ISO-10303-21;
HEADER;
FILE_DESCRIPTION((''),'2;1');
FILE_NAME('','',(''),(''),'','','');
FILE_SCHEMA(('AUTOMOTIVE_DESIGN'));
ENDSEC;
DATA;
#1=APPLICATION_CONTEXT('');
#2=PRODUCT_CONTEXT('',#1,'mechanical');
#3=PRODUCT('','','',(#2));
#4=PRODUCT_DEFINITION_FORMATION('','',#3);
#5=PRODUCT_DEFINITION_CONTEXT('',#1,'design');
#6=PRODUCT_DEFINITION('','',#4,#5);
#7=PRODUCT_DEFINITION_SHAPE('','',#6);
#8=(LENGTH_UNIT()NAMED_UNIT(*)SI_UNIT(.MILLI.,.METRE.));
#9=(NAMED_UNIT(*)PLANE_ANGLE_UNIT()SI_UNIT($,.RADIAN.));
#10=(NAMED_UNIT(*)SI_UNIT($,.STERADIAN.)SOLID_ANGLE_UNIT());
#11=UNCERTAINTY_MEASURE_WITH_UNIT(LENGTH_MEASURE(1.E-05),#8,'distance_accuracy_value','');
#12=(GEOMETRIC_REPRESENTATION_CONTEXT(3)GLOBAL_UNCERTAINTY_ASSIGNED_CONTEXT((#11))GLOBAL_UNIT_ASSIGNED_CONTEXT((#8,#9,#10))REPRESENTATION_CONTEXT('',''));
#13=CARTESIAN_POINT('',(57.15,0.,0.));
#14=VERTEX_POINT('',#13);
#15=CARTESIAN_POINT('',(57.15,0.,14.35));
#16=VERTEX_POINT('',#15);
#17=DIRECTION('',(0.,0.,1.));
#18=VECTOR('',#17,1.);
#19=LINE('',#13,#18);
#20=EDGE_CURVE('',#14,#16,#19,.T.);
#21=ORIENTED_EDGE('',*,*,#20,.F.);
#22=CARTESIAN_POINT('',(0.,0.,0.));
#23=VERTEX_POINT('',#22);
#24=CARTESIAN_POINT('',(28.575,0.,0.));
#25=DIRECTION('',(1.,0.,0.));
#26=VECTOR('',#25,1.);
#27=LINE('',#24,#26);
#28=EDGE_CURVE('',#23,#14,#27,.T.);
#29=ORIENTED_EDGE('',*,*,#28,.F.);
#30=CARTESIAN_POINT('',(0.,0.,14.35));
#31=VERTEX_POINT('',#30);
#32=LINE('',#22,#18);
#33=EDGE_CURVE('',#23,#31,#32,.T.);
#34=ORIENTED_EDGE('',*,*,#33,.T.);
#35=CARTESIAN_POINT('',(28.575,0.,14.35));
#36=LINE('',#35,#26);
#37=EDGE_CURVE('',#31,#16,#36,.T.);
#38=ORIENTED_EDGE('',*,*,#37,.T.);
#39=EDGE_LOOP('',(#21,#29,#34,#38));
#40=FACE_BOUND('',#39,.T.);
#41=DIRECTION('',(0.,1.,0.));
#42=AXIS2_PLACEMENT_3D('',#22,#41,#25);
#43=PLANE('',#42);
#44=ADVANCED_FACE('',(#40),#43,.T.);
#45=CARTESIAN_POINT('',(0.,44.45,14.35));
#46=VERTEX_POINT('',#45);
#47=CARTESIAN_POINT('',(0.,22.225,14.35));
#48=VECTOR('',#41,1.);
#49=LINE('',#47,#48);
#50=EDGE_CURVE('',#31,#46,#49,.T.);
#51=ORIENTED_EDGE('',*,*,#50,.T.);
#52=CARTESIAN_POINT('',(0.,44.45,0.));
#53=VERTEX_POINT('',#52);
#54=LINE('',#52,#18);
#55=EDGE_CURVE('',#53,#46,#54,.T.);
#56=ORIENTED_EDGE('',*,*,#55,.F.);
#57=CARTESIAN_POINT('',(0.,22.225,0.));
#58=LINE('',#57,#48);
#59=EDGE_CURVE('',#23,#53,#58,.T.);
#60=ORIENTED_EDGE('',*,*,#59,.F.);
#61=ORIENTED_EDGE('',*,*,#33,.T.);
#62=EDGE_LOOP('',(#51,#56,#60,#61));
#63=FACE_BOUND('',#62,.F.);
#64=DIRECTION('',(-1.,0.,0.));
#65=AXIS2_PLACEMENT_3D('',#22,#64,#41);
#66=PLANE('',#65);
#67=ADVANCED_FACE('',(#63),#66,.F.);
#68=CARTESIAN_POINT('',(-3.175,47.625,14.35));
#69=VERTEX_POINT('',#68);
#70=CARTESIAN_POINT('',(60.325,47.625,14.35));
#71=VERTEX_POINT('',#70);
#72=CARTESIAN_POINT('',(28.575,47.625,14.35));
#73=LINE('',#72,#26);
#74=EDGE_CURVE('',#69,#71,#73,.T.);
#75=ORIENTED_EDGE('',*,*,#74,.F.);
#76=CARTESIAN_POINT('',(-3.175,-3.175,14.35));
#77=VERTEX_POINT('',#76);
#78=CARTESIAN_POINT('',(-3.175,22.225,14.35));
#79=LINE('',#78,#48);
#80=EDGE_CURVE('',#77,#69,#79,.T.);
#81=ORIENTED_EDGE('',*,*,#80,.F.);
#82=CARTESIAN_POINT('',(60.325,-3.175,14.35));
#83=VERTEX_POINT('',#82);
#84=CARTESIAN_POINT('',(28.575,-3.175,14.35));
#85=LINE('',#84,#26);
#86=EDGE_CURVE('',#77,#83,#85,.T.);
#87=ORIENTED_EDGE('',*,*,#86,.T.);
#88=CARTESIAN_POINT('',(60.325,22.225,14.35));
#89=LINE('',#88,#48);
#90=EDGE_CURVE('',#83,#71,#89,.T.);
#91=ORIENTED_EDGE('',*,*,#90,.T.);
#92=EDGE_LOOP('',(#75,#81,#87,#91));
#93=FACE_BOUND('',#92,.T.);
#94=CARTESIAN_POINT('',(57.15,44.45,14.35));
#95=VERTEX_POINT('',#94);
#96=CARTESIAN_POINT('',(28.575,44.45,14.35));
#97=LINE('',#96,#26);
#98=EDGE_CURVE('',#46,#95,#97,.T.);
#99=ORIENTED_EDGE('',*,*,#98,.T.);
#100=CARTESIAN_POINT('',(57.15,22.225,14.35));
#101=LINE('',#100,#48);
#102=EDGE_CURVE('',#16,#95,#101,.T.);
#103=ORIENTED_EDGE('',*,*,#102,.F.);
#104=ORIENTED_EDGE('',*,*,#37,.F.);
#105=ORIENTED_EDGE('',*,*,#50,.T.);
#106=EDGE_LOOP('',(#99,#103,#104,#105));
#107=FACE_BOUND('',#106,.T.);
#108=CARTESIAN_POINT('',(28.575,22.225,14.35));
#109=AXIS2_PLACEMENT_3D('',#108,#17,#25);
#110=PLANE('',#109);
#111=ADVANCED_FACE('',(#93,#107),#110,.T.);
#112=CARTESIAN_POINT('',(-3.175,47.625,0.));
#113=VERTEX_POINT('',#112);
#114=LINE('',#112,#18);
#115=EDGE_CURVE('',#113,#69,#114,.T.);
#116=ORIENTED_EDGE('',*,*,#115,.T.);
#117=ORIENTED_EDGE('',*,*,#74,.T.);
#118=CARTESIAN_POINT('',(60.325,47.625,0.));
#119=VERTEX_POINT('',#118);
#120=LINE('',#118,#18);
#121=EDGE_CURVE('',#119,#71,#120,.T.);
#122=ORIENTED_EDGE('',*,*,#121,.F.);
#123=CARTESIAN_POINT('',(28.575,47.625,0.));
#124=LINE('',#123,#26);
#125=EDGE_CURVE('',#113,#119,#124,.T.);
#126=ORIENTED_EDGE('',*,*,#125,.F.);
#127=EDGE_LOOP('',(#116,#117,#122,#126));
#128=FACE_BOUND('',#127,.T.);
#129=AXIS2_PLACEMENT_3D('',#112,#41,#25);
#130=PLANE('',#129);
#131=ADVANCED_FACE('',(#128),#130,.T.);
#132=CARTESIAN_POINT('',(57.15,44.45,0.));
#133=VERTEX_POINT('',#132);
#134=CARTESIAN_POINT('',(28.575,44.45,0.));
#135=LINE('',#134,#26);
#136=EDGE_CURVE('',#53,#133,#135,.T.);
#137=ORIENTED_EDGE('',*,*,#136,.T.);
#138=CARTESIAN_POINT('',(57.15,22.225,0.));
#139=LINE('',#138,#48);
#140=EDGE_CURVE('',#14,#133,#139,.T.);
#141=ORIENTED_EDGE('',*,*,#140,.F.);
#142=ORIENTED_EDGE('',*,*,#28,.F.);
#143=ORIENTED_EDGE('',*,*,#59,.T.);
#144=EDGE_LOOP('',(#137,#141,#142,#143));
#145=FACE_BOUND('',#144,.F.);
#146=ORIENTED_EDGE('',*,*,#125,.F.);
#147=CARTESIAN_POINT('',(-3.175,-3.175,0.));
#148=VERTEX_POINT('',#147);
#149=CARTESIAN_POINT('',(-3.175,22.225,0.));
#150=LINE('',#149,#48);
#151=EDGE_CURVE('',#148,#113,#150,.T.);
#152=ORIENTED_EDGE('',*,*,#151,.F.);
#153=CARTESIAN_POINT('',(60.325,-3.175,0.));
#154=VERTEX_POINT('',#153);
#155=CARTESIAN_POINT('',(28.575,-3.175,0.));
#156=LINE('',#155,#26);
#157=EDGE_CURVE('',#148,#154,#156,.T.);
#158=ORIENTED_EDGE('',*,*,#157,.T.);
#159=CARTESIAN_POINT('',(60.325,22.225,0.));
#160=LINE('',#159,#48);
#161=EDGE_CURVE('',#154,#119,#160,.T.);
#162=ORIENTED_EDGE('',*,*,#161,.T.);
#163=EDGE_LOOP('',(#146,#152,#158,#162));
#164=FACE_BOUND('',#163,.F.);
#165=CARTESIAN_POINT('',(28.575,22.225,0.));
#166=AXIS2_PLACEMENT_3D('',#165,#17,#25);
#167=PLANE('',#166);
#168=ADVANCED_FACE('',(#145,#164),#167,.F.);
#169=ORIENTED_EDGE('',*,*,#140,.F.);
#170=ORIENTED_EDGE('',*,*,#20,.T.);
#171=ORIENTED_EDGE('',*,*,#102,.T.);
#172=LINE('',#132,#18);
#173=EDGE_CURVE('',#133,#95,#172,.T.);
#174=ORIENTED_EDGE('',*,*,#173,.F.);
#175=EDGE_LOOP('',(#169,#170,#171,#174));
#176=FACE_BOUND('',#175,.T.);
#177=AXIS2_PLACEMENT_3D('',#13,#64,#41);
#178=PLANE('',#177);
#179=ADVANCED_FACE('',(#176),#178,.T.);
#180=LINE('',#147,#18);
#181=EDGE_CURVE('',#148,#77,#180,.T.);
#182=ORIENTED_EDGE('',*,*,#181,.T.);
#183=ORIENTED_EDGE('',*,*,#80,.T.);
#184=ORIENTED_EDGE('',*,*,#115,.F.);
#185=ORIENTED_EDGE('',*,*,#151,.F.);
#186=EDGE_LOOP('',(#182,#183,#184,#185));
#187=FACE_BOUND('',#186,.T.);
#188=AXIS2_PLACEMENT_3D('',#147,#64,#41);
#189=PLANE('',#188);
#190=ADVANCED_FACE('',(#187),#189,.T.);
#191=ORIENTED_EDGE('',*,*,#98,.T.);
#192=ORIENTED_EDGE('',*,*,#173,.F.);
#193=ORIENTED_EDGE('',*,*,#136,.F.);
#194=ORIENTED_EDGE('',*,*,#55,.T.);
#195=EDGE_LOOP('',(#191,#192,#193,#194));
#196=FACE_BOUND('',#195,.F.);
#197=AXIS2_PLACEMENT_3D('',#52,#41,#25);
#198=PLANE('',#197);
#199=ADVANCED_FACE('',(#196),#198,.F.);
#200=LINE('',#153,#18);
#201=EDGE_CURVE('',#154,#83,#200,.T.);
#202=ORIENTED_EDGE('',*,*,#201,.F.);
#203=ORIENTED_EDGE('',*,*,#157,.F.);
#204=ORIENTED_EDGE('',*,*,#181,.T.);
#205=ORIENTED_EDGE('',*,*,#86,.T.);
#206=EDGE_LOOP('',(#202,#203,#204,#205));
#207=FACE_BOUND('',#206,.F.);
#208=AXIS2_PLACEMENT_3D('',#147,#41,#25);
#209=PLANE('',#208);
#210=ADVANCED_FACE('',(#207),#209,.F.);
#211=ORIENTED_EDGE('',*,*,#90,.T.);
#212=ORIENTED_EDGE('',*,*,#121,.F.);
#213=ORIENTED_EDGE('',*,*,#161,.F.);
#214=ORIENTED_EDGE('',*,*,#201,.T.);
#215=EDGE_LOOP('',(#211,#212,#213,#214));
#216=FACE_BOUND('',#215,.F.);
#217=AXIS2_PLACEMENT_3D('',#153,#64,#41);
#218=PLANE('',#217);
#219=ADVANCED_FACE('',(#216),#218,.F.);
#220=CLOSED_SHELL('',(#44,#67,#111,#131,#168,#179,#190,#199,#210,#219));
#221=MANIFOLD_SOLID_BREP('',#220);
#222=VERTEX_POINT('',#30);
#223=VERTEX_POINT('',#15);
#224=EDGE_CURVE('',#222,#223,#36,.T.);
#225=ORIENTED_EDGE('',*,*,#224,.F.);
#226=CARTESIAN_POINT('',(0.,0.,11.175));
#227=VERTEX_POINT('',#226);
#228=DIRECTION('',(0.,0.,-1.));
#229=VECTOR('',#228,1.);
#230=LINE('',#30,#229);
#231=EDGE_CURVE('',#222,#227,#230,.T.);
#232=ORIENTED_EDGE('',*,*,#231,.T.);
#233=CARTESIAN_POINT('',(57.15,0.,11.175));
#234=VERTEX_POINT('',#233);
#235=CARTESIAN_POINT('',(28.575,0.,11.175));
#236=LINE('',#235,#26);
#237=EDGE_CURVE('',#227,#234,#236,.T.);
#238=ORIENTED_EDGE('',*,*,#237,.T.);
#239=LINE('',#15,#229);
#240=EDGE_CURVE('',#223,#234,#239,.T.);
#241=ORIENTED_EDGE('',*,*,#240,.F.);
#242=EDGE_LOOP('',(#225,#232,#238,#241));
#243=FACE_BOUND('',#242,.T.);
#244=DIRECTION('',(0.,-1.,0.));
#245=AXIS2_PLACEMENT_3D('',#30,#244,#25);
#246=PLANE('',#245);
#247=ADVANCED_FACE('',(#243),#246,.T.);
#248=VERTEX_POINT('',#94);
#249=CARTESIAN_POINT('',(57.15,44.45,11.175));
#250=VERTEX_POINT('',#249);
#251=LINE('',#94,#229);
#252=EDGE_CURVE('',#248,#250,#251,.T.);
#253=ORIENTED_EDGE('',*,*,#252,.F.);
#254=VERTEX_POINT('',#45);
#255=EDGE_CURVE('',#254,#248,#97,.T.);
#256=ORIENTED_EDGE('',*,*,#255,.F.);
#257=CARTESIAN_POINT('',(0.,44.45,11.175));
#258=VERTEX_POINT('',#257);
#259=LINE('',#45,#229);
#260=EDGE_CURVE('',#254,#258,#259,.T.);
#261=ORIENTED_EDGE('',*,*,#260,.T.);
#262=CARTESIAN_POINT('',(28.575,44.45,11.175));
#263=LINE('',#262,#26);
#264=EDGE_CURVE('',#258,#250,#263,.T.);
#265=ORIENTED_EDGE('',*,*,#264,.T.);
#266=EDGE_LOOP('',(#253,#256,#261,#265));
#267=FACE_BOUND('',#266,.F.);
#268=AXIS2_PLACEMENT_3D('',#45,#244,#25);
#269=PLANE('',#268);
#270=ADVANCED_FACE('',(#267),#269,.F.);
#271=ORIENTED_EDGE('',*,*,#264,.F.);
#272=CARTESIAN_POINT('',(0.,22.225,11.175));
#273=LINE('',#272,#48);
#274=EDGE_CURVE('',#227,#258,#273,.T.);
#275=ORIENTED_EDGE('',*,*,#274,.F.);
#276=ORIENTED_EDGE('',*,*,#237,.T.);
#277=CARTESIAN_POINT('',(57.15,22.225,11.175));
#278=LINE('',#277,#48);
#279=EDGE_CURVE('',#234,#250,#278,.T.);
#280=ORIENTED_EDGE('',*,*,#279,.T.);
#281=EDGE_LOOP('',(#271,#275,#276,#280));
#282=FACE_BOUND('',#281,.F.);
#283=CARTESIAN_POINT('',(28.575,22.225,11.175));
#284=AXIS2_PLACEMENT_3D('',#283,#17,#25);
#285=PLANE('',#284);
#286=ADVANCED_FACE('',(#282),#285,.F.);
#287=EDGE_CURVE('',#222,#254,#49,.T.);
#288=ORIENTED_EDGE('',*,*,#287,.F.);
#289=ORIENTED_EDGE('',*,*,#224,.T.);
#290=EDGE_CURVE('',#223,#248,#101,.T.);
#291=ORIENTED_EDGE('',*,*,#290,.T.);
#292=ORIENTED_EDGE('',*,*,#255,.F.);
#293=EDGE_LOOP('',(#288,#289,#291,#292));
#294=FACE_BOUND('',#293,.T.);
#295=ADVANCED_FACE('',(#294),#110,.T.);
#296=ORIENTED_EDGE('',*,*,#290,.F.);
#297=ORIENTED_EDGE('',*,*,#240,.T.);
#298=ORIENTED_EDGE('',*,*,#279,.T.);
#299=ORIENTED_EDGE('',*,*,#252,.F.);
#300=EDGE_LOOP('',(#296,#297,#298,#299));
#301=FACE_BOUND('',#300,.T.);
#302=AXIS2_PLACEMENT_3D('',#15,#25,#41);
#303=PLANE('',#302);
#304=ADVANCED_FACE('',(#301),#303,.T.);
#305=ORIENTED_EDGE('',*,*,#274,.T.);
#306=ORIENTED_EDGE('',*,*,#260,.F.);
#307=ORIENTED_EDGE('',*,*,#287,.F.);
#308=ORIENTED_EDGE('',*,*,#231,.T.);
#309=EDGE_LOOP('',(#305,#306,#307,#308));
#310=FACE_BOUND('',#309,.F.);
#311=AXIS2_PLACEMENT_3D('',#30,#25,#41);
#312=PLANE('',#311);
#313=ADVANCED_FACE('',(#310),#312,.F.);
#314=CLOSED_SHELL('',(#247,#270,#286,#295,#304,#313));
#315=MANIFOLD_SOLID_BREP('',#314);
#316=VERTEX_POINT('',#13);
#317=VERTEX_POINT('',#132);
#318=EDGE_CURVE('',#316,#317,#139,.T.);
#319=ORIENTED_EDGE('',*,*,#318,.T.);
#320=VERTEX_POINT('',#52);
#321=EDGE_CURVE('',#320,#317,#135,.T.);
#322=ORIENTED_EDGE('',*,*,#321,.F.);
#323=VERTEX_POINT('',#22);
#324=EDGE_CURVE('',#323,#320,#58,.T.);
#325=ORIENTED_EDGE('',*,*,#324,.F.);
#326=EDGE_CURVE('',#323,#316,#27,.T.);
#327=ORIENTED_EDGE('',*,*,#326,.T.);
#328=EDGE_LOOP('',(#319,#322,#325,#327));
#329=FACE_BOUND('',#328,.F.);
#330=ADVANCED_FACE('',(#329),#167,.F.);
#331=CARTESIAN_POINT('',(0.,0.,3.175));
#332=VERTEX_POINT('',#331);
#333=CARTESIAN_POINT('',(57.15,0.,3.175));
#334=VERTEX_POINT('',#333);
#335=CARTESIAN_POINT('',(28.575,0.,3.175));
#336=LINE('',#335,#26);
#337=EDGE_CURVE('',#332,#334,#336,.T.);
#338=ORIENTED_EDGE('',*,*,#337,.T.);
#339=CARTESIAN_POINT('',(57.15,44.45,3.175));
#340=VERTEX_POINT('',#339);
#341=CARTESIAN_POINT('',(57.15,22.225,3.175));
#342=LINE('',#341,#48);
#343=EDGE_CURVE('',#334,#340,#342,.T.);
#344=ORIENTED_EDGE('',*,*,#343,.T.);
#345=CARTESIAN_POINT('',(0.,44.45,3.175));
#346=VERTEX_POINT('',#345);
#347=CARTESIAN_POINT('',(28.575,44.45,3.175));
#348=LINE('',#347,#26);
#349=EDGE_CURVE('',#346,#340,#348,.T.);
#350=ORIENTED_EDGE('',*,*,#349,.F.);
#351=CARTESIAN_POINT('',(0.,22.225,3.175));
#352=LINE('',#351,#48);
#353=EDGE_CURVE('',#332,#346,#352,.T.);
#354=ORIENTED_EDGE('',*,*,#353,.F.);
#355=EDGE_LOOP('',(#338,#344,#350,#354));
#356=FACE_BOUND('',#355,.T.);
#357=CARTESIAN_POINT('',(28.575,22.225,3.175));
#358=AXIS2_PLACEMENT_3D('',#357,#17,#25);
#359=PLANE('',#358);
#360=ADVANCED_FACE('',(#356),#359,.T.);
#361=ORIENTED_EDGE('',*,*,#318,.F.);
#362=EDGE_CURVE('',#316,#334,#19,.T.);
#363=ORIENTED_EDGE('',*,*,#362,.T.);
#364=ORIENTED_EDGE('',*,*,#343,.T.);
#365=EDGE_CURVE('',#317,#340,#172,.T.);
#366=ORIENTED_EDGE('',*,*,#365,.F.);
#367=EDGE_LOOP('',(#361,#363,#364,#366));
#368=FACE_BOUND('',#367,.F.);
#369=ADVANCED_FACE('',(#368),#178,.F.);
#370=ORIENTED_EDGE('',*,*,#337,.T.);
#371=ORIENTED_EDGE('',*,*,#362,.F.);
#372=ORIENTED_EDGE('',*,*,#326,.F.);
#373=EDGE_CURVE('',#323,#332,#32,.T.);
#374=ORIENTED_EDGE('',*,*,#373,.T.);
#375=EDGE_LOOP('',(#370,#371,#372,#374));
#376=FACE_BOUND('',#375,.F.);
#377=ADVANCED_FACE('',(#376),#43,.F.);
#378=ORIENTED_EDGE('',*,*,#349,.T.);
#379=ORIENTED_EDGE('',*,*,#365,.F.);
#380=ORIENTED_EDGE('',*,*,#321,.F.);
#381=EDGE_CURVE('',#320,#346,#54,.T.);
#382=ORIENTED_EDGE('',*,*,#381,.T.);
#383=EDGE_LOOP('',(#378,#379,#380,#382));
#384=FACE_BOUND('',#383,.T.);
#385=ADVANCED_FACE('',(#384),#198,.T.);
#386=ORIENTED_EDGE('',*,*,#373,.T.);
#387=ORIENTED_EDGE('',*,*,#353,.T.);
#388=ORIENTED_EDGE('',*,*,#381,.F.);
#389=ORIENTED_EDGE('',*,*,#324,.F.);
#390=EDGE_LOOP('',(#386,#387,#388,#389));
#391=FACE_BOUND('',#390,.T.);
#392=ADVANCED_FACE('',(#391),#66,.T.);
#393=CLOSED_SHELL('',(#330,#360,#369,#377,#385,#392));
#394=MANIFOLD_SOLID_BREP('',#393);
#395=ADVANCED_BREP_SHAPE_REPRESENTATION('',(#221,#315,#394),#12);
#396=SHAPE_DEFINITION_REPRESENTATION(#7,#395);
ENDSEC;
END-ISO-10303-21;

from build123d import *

# Parameters (mm, degrees)
F0_W     = 63.5
F0_H     = 50.8
F0_W_2   = 57.15
F0_H_2   = 44.45
F1_DEPTH = 14.35
F2_DEPTH = 3.175
F3_W     = 57.15
F3_H     = 44.45
F4_DEPTH = 3.175


with BuildPart() as f1:
    # F0 (on Top) → F1 (new body)
    with BuildSketch(Plane.XY):
        with Locations((28.575, 22.225)):
            Rectangle(F0_W, F0_H)
        with Locations((28.575, 22.225)):
            Rectangle(F0_W_2, F0_H_2, mode=Mode.SUBTRACT)
    extrude(amount=F1_DEPTH)


with BuildPart() as f2:
    # F0 (on Top) → F2 (new body)
    with BuildSketch(Plane.XY):
        with Locations((28.575, 22.225)):
            Rectangle(F0_W_2, F0_H_2)
    extrude(amount=F2_DEPTH)


with BuildPart() as f4:
    # F3 (on face) → F4 (new body)
    with BuildSketch(Plane.XY.offset(14.35)):
        with Locations((28.575, 22.225)):
            Rectangle(F3_W, F3_H)
    extrude(amount=-F4_DEPTH)


solid = Compound([f1.part, f2.part, f4.part])
